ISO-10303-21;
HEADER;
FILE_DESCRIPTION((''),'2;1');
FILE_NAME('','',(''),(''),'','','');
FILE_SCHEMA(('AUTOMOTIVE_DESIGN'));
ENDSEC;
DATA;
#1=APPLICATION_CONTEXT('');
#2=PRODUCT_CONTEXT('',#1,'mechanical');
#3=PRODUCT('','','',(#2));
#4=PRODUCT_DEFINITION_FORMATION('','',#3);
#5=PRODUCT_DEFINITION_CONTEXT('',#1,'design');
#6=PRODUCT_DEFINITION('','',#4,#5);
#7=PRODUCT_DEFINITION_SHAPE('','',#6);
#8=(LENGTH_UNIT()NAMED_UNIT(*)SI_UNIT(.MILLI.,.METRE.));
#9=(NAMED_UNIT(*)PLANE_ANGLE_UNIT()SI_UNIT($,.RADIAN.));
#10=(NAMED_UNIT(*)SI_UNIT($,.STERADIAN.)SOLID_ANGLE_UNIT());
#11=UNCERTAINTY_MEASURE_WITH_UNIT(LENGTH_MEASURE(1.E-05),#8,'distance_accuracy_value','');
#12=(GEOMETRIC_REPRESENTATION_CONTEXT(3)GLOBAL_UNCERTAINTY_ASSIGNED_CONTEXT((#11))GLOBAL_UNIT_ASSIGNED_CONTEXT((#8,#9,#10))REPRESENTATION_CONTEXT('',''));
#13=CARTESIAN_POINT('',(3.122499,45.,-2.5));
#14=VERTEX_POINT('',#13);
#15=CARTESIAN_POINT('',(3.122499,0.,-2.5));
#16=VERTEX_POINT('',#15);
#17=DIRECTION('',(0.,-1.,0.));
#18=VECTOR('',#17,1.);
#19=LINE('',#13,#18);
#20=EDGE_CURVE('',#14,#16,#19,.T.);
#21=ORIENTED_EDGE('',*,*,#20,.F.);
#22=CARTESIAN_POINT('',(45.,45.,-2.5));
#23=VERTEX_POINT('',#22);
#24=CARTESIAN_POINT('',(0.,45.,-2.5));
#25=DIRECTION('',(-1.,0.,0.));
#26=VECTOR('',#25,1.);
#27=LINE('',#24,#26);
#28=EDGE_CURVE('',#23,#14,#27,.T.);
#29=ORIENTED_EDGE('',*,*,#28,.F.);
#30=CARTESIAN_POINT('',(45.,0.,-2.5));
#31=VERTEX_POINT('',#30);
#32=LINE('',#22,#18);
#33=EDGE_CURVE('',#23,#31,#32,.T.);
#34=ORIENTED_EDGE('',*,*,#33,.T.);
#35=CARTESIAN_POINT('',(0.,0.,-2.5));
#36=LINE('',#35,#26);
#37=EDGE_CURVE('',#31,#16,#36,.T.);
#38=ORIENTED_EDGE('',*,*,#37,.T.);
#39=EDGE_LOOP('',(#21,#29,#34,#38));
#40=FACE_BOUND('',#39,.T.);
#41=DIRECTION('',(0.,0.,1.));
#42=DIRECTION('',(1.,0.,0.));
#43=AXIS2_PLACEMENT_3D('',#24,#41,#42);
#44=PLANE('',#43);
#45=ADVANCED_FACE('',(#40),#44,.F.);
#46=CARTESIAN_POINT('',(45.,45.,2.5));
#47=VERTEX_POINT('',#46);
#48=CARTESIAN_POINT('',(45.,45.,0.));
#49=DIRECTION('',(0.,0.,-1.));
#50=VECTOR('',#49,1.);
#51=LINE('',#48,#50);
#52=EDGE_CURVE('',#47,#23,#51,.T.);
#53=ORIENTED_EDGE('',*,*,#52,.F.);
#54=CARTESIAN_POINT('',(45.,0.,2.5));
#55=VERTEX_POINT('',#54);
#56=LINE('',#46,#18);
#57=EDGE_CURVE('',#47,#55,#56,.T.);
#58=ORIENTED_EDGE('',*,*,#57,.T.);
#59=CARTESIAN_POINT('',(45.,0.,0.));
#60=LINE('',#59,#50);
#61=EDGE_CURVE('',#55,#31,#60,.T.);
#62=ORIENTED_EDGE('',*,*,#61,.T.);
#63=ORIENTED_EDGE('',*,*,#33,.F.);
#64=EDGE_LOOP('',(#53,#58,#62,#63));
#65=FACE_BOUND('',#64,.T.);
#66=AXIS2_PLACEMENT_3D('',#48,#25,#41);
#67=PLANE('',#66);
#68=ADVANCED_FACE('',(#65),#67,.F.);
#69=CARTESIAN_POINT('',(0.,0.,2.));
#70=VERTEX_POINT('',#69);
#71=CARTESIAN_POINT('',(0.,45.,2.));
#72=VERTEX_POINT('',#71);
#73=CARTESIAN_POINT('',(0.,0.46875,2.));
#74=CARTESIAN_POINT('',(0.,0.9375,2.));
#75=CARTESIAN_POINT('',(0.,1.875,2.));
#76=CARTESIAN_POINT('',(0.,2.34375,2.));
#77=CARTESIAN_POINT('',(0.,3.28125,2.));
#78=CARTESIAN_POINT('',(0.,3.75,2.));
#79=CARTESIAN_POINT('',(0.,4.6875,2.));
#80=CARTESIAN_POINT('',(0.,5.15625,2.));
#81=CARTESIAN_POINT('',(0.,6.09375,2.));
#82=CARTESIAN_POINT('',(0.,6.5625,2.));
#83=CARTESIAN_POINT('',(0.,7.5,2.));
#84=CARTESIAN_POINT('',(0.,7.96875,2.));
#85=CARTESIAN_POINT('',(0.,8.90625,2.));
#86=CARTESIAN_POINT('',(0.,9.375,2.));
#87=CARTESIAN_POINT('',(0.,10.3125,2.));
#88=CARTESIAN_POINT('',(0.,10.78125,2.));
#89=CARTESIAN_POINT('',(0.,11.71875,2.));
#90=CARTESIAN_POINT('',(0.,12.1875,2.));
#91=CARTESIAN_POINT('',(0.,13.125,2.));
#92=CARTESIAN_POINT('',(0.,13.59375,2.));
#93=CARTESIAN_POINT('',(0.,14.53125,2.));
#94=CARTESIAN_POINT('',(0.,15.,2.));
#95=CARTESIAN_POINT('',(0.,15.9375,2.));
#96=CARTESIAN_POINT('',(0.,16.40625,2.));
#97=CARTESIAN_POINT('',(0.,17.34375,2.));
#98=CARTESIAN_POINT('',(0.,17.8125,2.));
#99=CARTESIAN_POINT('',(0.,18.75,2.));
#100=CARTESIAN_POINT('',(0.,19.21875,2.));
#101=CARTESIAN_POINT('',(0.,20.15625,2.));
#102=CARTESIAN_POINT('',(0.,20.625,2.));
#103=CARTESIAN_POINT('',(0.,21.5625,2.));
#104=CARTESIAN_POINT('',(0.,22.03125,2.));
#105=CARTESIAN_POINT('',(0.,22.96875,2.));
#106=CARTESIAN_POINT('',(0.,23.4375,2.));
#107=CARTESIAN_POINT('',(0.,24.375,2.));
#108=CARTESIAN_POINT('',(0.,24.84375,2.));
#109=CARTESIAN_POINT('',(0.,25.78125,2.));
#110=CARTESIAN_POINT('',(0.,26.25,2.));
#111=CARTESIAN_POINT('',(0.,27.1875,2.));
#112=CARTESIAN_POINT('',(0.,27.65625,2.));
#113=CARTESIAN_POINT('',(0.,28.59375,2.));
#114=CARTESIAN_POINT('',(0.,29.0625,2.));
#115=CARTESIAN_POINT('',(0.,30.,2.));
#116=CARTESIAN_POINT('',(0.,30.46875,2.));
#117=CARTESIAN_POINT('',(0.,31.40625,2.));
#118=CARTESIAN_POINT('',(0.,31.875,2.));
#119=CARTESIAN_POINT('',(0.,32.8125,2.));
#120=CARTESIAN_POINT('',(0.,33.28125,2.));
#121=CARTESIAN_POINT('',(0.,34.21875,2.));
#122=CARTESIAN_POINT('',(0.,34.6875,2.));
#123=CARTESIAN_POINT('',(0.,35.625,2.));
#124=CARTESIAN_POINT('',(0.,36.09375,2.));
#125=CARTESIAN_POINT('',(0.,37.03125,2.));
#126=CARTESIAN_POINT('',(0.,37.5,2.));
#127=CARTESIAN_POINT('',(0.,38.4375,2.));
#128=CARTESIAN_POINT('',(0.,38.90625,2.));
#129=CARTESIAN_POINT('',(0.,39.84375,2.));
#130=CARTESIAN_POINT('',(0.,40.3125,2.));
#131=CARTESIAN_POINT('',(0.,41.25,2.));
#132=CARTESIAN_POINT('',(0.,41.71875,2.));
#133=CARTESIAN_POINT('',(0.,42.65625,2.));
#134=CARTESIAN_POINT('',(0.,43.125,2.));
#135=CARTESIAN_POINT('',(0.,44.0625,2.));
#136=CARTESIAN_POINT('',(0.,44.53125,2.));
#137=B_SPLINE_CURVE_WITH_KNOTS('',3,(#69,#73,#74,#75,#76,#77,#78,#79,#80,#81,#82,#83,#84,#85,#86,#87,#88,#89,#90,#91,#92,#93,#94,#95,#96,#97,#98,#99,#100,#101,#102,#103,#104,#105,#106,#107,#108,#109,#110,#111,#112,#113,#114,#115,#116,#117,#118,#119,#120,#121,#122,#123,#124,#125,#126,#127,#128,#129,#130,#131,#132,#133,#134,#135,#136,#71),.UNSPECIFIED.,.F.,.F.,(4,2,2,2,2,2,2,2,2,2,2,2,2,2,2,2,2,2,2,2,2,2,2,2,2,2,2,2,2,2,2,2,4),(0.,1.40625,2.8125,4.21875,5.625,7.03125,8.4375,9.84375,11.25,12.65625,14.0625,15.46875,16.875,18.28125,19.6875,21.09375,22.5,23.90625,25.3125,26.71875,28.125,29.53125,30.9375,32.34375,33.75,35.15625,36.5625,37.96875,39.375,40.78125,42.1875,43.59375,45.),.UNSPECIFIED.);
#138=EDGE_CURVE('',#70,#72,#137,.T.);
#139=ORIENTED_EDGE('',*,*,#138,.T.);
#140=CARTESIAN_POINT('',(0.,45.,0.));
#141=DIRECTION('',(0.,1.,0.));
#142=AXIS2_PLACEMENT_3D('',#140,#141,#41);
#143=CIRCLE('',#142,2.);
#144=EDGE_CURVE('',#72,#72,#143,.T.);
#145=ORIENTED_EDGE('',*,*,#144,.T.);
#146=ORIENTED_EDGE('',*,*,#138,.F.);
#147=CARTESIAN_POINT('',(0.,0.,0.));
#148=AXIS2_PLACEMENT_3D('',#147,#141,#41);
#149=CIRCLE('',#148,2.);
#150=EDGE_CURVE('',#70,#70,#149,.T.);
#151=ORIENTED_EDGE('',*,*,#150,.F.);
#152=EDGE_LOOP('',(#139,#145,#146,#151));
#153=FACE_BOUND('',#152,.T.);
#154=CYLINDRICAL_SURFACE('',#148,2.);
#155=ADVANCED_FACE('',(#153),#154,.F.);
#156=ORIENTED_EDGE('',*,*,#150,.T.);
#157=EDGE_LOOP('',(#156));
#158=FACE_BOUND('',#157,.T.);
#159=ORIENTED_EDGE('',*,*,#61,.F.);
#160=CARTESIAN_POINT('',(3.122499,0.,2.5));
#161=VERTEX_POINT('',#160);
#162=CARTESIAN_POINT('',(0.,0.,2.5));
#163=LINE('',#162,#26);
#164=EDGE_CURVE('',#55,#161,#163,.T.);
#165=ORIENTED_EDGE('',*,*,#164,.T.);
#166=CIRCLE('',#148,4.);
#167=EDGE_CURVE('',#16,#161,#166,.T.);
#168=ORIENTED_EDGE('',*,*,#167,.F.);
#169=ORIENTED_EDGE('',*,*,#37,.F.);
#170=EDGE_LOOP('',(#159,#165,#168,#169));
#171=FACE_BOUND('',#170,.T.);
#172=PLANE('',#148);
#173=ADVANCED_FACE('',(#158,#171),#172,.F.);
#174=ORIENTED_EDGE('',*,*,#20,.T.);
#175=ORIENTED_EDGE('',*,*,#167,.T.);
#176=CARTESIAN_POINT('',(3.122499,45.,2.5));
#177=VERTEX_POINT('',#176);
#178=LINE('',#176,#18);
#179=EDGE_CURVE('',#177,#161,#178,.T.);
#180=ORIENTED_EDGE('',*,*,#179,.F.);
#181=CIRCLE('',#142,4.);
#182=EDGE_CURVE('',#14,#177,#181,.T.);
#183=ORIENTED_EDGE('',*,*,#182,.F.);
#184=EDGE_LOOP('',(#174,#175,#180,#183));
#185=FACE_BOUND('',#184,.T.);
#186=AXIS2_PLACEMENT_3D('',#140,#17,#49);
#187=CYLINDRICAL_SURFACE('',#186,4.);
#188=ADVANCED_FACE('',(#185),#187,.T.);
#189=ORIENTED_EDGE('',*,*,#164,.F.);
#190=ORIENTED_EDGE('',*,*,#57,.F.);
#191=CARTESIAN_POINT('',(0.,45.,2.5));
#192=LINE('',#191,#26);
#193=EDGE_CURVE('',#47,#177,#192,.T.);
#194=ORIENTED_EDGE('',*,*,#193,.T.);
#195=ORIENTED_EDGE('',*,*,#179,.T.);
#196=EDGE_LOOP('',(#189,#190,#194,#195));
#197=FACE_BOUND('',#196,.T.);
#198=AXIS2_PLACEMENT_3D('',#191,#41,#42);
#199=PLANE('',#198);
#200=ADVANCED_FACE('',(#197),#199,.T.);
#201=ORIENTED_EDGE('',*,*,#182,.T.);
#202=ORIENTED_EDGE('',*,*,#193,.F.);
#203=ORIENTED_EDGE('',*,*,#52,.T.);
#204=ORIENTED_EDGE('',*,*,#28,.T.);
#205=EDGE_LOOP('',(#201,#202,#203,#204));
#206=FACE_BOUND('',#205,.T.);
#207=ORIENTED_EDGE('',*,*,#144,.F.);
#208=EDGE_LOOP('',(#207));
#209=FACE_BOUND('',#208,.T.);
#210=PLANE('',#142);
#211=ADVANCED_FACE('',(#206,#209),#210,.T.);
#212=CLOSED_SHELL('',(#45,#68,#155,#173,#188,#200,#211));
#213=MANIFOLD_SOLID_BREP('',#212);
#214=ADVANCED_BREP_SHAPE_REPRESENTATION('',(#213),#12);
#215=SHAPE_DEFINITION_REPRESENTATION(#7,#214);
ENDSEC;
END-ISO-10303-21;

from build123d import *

# Parameters (mm, degrees)
SKETCH2_R           = 4
SKETCH2_W           = 45
SKETCH2_H           = 5
BOSS_EXTRUDE1_DEPTH = 45
SKETCH3_R           = 2
CUT_EXTRUDE1_DEPTH  = 64.765194268


with BuildPart() as part:
    # Sketch2 → Boss-Extrude1 (new body)
    with BuildSketch(Plane(origin=(0, 0, 0), x_dir=(1, 0, 0), z_dir=(0, 1, 0))):
        Circle(SKETCH2_R)
        with Locations((22.5, 0)):
            Rectangle(SKETCH2_W, SKETCH2_H)
    extrude(amount=BOSS_EXTRUDE1_DEPTH)

    # Sketch3 → Cut-Extrude1 (cut, through all)
    with BuildSketch(Plane(origin=(0, 45, 0), x_dir=(1, 0, 0), z_dir=(0, 1, 0))):
        with Locations(Location((0, 0, 0), (0, 0, 270))):
            Circle(SKETCH3_R)
    extrude(amount=-CUT_EXTRUDE1_DEPTH, mode=Mode.SUBTRACT)


solid = part.part
